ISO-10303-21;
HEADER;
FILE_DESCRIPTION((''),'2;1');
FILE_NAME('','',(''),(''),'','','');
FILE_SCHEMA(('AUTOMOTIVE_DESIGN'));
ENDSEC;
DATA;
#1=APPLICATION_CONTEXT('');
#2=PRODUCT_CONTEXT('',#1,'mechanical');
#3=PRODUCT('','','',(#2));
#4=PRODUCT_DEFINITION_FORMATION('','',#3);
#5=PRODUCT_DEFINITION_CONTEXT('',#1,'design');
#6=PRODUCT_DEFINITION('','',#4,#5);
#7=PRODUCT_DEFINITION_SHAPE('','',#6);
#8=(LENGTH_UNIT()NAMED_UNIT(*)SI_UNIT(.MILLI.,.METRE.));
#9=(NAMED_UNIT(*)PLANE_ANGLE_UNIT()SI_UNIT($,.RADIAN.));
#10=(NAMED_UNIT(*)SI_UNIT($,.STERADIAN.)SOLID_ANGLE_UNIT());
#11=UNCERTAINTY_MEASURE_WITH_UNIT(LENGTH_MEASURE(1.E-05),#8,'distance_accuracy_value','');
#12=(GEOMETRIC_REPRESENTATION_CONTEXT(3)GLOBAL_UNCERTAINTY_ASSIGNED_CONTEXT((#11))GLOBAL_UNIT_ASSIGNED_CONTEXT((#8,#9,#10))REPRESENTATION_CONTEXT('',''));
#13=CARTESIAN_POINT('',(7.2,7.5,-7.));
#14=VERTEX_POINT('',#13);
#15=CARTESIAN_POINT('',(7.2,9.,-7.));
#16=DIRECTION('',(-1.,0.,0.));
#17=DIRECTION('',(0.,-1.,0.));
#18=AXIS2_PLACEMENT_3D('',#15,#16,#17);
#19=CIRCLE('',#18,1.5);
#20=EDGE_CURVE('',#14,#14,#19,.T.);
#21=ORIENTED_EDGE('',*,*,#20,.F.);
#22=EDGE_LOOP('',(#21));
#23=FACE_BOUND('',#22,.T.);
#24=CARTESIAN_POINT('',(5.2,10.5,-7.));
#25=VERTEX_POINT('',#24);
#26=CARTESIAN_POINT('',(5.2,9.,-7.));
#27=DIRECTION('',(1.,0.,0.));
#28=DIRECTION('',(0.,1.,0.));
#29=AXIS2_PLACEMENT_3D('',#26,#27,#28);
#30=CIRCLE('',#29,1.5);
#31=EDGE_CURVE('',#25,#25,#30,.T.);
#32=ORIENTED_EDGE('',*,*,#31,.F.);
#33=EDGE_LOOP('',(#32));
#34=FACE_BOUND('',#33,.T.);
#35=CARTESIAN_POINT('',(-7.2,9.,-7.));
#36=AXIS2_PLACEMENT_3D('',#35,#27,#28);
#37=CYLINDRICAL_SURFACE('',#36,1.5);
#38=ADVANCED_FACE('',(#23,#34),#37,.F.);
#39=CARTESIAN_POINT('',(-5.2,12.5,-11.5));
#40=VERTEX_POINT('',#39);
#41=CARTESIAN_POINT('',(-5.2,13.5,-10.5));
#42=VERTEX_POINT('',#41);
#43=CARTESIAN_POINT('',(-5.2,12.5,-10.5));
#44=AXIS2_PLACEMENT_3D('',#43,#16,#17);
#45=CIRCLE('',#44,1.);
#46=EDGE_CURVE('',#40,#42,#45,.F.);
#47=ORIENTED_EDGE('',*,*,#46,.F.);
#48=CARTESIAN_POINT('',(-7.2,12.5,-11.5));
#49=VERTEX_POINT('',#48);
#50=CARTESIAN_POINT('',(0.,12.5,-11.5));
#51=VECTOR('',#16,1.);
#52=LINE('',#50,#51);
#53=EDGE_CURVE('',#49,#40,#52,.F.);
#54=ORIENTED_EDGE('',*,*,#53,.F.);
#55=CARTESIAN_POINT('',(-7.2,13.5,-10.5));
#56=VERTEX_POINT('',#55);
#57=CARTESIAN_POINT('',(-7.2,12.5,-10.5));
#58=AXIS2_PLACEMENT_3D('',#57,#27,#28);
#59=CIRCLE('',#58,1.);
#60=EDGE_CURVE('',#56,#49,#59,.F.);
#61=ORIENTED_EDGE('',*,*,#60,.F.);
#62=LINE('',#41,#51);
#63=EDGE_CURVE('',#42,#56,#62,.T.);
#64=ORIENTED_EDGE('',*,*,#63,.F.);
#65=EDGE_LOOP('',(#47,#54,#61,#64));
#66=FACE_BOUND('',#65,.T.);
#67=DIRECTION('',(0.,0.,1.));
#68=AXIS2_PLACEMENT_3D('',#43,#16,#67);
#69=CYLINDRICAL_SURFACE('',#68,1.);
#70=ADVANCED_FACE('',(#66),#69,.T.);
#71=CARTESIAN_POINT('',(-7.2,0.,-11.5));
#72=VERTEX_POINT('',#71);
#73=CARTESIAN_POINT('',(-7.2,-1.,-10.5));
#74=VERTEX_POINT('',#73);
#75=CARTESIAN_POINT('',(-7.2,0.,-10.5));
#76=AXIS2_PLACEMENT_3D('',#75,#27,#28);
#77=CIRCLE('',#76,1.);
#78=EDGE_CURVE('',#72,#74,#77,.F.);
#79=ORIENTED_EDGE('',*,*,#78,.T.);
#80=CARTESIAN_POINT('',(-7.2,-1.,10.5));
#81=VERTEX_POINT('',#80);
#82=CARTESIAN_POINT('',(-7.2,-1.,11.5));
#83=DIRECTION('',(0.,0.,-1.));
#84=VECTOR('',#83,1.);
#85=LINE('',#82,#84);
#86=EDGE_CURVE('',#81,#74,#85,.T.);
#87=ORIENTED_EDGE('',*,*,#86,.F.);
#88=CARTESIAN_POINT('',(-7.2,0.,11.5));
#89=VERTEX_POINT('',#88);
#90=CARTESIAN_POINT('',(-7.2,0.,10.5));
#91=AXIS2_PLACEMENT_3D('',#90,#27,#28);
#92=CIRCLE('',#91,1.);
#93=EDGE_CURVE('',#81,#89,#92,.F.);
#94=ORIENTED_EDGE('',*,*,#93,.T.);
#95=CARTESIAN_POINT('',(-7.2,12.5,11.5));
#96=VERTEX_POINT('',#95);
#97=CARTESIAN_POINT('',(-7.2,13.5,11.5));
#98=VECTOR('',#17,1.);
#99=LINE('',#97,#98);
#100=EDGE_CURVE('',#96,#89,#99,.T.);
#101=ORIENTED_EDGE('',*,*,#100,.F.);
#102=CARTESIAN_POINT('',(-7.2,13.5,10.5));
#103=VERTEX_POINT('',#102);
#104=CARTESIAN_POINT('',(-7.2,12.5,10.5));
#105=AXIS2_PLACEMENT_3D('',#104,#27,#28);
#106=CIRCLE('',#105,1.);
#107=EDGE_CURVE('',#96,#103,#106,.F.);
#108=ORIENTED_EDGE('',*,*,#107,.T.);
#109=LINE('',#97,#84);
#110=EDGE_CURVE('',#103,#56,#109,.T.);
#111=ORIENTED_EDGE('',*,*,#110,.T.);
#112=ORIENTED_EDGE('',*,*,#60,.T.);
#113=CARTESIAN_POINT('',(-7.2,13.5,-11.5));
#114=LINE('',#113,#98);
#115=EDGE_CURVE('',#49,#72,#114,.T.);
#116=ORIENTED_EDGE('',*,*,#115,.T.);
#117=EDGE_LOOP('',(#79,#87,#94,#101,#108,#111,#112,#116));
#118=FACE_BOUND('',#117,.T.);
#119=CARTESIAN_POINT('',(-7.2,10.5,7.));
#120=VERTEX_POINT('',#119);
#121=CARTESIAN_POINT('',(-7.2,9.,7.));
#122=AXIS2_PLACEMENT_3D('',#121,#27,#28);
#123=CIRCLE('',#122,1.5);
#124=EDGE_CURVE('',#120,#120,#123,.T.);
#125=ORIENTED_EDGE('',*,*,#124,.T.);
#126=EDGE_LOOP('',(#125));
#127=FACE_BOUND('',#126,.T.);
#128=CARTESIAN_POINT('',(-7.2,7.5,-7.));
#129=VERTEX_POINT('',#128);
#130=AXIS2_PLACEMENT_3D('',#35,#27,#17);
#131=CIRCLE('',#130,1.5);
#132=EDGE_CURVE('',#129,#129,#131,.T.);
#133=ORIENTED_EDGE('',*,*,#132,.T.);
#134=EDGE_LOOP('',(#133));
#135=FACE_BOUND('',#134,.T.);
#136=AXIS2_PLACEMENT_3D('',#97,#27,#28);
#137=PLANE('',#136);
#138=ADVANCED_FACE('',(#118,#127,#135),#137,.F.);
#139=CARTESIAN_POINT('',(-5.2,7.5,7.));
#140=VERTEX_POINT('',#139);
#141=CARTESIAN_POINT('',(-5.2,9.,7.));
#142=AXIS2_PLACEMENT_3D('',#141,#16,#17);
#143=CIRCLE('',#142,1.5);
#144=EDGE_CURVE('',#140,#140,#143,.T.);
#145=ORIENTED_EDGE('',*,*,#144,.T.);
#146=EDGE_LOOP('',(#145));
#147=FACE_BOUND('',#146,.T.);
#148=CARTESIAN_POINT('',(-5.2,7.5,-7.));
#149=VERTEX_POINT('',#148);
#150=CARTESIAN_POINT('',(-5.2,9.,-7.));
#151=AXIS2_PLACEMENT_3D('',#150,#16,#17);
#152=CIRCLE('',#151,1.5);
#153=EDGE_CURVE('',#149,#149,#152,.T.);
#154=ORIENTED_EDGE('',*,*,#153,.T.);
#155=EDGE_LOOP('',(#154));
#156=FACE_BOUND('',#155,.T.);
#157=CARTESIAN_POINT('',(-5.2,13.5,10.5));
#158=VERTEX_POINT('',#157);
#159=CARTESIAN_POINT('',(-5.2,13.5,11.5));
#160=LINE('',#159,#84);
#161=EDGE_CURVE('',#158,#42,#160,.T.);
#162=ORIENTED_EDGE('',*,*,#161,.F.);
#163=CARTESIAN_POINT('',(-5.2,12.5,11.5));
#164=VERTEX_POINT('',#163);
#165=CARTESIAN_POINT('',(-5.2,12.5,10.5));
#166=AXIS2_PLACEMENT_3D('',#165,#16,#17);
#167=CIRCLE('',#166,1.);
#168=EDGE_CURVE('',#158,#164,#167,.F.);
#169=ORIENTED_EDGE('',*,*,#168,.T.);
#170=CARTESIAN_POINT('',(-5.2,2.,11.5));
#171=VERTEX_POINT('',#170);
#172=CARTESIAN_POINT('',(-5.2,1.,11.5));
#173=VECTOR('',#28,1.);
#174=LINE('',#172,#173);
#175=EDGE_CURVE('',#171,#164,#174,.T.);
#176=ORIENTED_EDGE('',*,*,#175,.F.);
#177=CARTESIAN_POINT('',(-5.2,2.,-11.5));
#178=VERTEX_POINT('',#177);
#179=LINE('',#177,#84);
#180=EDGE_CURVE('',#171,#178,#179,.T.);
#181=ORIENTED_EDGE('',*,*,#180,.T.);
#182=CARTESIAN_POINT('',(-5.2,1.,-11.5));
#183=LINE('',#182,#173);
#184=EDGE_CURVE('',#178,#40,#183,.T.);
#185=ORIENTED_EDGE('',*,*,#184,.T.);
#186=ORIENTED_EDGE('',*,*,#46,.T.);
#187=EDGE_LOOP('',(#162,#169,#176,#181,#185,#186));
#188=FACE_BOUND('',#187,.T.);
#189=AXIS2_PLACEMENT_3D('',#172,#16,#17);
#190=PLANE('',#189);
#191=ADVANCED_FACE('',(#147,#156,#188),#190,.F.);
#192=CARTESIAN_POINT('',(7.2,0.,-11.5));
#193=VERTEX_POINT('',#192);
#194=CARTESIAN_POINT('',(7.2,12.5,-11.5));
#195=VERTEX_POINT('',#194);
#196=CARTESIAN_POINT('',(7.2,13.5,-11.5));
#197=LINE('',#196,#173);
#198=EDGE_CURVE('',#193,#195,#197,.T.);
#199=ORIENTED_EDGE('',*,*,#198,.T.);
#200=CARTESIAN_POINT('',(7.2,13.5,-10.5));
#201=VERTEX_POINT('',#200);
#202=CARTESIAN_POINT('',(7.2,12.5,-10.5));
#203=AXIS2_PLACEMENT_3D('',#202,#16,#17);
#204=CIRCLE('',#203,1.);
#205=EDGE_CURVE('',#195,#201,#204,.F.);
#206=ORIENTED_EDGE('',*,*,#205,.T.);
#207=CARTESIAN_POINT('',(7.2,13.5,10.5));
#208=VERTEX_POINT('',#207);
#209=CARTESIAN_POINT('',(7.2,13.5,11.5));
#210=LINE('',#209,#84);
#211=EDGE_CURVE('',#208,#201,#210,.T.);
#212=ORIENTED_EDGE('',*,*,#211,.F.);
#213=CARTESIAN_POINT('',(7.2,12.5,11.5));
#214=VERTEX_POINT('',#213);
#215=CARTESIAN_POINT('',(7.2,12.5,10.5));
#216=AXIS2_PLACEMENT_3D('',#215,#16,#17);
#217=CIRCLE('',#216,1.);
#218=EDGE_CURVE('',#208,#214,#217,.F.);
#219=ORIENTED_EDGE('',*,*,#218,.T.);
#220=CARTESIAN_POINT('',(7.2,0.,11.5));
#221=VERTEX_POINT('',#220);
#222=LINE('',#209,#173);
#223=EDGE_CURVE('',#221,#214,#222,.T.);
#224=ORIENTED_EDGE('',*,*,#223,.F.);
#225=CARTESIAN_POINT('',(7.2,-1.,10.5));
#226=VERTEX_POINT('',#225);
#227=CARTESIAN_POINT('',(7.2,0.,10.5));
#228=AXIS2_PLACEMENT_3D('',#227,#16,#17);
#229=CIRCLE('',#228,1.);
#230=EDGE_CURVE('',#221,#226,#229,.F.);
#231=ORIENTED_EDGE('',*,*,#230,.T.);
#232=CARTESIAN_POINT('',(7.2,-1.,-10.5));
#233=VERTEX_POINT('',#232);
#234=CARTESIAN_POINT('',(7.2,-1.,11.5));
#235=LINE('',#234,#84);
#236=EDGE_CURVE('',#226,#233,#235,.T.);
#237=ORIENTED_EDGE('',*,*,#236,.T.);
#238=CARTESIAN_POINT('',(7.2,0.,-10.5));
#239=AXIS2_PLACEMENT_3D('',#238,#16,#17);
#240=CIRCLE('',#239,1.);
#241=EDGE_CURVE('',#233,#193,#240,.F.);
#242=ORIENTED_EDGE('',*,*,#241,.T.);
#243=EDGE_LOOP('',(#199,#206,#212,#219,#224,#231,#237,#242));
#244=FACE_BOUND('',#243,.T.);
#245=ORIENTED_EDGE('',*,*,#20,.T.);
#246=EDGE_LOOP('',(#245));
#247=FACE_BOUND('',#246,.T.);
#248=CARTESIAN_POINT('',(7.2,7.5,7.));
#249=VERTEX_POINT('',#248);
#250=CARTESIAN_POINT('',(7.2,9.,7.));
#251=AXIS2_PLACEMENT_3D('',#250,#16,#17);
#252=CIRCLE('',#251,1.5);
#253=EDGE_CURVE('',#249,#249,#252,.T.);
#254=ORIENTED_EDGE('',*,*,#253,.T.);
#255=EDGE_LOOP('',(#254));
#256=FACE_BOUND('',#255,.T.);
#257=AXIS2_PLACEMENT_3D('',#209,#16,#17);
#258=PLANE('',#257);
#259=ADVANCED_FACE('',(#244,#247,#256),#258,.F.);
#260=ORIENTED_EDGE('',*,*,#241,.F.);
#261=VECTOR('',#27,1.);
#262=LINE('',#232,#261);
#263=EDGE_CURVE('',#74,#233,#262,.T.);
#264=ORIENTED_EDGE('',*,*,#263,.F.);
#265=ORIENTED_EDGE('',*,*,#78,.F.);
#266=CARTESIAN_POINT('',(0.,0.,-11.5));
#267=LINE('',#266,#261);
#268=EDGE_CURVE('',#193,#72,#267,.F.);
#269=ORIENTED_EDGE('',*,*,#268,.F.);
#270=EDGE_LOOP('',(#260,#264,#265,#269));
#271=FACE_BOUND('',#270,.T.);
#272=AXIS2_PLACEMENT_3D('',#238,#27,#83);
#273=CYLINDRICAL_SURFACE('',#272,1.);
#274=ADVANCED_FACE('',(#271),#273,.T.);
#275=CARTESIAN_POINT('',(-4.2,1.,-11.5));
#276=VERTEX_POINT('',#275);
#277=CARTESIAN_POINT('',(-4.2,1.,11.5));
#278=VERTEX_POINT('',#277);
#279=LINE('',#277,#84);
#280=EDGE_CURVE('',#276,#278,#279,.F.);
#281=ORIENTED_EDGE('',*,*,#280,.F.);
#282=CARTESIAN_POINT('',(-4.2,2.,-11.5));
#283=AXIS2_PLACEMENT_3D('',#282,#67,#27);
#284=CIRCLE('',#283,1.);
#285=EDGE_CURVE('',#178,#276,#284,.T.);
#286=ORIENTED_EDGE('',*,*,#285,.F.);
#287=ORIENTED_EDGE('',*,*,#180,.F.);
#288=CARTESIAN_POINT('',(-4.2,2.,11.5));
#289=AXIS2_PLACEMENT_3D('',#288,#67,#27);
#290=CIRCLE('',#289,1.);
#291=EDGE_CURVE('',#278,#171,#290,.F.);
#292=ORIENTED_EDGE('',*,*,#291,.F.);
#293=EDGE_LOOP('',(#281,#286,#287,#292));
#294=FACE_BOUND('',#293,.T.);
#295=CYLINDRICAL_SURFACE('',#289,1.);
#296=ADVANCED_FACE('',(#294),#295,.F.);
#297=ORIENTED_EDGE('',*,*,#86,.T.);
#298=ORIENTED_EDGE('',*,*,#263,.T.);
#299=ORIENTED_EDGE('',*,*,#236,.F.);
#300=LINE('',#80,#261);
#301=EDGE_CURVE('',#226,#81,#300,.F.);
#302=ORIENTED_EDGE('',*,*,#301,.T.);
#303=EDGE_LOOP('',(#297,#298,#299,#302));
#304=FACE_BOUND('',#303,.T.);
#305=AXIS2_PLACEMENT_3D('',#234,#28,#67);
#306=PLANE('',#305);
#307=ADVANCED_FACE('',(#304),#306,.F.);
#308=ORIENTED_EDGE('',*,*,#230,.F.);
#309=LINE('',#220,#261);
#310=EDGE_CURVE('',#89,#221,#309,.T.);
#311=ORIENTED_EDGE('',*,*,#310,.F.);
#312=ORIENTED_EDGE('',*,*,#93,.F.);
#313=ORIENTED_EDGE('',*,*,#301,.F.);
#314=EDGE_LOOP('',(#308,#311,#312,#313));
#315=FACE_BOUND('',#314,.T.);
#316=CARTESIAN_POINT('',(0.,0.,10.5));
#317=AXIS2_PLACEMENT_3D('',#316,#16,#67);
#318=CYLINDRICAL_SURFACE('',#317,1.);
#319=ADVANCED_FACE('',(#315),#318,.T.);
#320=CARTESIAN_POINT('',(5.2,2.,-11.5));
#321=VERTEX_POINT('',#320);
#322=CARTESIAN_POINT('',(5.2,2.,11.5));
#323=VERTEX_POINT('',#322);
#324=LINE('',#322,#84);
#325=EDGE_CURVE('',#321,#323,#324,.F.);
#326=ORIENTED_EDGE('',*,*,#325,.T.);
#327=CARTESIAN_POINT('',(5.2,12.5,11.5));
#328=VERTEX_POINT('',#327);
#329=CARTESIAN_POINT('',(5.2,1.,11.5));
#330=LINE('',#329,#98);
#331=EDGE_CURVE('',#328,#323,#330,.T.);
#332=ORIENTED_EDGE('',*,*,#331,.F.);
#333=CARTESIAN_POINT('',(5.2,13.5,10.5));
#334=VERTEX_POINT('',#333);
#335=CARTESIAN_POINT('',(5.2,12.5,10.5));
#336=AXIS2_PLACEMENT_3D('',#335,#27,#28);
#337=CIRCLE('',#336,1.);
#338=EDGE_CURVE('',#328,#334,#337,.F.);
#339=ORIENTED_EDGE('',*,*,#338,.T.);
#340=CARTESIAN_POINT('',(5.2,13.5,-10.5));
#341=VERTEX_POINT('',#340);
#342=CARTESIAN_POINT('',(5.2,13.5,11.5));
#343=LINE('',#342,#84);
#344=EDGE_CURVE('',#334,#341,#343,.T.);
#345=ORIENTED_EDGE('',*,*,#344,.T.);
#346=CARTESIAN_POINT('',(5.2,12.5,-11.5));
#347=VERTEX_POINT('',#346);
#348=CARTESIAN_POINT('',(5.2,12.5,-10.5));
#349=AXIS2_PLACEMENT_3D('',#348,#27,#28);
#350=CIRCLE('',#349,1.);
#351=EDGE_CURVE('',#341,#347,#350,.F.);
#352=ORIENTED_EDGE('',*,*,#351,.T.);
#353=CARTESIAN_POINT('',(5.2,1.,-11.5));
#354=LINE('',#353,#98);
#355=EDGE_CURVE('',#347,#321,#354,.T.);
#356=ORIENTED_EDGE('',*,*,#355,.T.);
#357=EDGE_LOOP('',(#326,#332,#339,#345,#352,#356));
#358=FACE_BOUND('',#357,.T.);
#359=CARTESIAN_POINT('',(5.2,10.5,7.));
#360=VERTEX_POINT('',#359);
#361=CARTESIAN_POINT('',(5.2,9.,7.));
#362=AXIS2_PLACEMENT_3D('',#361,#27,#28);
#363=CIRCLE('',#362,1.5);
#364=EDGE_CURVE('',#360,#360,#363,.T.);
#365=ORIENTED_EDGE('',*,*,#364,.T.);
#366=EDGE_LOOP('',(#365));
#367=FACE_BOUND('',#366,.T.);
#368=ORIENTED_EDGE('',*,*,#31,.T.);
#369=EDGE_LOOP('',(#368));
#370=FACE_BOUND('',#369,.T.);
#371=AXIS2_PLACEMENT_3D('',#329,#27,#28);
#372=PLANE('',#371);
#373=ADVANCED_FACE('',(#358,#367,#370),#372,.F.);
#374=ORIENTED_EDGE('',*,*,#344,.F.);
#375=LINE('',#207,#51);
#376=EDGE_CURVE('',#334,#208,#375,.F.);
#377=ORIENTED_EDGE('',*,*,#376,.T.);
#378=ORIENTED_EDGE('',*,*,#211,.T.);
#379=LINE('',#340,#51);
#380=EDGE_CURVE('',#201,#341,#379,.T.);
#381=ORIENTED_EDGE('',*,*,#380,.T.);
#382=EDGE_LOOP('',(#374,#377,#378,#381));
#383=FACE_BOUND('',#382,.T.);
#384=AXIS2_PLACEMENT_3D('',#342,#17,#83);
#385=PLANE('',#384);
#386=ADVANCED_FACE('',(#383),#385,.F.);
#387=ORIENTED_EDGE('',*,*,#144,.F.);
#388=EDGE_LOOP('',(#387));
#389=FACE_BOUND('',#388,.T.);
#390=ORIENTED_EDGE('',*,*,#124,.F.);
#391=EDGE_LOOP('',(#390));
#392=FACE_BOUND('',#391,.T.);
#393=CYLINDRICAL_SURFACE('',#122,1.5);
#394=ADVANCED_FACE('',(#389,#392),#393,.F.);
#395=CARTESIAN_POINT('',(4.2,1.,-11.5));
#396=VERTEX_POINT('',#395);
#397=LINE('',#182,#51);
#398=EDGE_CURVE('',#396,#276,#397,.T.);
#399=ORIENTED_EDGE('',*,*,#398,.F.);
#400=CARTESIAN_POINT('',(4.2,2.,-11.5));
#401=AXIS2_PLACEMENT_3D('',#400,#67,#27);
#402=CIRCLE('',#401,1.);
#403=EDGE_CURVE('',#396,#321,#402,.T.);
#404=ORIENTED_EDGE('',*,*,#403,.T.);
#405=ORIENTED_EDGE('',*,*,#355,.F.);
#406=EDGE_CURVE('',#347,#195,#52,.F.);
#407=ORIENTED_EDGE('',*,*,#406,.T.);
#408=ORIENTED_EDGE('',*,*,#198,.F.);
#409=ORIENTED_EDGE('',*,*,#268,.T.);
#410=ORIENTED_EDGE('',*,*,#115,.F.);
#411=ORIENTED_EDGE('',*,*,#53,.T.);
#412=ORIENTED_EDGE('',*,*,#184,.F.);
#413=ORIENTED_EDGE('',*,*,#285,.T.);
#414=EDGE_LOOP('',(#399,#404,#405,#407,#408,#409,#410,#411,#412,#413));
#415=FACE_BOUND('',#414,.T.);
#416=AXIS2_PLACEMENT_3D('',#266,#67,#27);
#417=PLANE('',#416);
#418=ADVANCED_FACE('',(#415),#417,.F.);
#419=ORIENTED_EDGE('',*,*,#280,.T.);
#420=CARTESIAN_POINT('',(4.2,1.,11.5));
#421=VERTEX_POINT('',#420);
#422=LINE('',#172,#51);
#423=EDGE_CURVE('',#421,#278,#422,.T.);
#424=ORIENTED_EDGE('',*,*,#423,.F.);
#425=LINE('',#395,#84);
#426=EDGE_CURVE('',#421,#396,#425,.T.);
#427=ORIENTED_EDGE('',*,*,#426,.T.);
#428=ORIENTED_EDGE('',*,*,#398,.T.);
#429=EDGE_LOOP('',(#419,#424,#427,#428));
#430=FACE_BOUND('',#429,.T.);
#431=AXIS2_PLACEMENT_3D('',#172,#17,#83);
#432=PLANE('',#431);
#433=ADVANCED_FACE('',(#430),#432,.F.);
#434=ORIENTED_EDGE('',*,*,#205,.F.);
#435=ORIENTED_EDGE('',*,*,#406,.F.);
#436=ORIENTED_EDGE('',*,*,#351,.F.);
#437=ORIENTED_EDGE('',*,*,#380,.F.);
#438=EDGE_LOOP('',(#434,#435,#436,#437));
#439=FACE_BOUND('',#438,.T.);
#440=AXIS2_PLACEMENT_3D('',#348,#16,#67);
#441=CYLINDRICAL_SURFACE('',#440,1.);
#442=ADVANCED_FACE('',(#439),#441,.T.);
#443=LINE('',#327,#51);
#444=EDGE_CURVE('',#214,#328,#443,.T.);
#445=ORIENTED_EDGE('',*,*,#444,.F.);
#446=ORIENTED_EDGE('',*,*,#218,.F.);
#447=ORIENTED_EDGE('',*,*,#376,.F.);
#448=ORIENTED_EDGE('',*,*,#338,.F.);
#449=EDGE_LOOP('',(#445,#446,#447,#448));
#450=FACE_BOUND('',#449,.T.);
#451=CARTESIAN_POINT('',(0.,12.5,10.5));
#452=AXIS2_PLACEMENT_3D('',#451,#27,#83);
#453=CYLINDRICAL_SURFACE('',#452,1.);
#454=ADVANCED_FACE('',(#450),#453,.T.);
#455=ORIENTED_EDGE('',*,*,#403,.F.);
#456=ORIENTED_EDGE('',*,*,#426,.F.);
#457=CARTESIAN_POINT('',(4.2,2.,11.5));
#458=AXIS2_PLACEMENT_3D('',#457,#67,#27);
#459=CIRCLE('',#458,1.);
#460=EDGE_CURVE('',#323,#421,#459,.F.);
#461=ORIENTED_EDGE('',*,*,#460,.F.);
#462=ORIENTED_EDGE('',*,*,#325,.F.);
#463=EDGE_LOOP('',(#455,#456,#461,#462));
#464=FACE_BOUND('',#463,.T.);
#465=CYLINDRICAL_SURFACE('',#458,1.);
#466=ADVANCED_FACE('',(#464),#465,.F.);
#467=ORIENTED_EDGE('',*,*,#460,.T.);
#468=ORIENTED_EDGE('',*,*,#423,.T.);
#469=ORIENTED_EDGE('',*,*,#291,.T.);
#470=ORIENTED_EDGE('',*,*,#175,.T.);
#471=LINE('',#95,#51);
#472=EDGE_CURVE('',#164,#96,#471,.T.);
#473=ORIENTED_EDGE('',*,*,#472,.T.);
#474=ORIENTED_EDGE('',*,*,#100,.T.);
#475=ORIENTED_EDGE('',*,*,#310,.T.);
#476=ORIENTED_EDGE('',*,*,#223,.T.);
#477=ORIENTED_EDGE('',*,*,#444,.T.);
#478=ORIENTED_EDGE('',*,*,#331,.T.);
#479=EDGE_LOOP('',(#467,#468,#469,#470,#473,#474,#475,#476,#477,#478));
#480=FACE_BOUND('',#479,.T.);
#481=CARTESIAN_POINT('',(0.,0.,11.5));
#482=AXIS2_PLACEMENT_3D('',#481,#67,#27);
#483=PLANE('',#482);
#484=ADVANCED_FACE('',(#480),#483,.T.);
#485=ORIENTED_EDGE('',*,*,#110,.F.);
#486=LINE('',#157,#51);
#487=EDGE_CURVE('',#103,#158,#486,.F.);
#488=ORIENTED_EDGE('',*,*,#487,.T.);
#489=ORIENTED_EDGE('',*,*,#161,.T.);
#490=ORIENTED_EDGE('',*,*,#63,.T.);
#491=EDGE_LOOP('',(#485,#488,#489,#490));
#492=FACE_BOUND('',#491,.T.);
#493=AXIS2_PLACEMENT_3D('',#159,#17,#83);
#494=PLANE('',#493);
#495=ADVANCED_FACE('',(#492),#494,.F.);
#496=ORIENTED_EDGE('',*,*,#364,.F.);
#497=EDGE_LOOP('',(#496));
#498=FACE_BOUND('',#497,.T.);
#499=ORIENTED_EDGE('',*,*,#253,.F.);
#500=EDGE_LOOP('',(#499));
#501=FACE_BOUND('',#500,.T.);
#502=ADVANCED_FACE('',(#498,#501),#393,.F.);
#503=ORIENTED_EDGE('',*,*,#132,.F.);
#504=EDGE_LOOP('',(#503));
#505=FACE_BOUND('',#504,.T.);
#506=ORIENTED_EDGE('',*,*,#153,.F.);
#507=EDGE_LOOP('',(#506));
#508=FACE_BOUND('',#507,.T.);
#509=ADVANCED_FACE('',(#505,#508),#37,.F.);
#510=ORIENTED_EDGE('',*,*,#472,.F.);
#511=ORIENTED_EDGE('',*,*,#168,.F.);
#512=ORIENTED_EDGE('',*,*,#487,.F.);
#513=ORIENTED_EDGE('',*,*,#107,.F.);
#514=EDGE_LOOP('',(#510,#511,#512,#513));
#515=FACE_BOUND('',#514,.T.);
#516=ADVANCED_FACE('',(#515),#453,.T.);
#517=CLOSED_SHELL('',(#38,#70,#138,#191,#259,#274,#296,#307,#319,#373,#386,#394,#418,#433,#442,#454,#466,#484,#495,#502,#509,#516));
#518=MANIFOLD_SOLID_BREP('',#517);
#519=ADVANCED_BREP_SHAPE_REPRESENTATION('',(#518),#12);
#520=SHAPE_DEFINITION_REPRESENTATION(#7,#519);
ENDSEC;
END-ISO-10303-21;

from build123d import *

# Parameters (mm, degrees)
BOSS_EXTRUDE1_DEPTH     = 11.5
SKETCH2_R               = 1.5
CUT_EXTRUDE1_DEPTH      = 1
CUT_EXTRUDE1_DEPTH_BACK = 15.4
FILLET1_R               = 1
FILLET2_R               = 1
FILLET3_R               = 1


with BuildPart() as part:
    # Sketch1 → Boss-Extrude1 (new body, symmetric)
    with BuildSketch(Plane.XY):
        Polygon((-5.2, 1), (5.2, 1), (5.2, 13.5), (7.2, 13.5), (7.2, -1), (-7.2, -1), (-7.2, 13.5), (-5.2, 13.5), align=None)
    extrude(amount=BOSS_EXTRUDE1_DEPTH, both=True)

    # Sketch2 → Cut-Extrude1 (cut, two sides)
    with BuildSketch(Plane(origin=(7.2, 0, 0), x_dir=(0, 0, -1), z_dir=(1, 0, 0))) as cut_extrude1_sk:
        with Locations((-7, 9)):
            Circle(SKETCH2_R)
        with Locations((7, 9)):
            Circle(SKETCH2_R)
    extrude(amount=CUT_EXTRUDE1_DEPTH, mode=Mode.SUBTRACT)
    extrude(cut_extrude1_sk.sketch, amount=-CUT_EXTRUDE1_DEPTH_BACK, mode=Mode.SUBTRACT)

    # Fillet1
    fillet1_edges = [part.edges().sort_by_distance(p)[0] for p in [
        (0, -1, -11.5),
        (0, -1, 11.5),
    ]]
    fillet(fillet1_edges, radius=FILLET1_R)

    # Fillet2
    fillet2_edges = [part.edges().sort_by_distance(p)[0] for p in [
        (-5.2, 1, 0),
        (5.2, 1, 0),
    ]]
    fillet(fillet2_edges, radius=FILLET2_R)

    # Fillet3
    fillet3_edges = [part.edges().sort_by_distance(p)[0] for p in [
        (-6.2, 13.5, -11.5),
        (6.2, 13.5, 11.5),
        (-6.2, 13.5, 11.5),
        (6.2, 13.5, -11.5),
    ]]
    fillet(fillet3_edges, radius=FILLET3_R)


solid = part.part
